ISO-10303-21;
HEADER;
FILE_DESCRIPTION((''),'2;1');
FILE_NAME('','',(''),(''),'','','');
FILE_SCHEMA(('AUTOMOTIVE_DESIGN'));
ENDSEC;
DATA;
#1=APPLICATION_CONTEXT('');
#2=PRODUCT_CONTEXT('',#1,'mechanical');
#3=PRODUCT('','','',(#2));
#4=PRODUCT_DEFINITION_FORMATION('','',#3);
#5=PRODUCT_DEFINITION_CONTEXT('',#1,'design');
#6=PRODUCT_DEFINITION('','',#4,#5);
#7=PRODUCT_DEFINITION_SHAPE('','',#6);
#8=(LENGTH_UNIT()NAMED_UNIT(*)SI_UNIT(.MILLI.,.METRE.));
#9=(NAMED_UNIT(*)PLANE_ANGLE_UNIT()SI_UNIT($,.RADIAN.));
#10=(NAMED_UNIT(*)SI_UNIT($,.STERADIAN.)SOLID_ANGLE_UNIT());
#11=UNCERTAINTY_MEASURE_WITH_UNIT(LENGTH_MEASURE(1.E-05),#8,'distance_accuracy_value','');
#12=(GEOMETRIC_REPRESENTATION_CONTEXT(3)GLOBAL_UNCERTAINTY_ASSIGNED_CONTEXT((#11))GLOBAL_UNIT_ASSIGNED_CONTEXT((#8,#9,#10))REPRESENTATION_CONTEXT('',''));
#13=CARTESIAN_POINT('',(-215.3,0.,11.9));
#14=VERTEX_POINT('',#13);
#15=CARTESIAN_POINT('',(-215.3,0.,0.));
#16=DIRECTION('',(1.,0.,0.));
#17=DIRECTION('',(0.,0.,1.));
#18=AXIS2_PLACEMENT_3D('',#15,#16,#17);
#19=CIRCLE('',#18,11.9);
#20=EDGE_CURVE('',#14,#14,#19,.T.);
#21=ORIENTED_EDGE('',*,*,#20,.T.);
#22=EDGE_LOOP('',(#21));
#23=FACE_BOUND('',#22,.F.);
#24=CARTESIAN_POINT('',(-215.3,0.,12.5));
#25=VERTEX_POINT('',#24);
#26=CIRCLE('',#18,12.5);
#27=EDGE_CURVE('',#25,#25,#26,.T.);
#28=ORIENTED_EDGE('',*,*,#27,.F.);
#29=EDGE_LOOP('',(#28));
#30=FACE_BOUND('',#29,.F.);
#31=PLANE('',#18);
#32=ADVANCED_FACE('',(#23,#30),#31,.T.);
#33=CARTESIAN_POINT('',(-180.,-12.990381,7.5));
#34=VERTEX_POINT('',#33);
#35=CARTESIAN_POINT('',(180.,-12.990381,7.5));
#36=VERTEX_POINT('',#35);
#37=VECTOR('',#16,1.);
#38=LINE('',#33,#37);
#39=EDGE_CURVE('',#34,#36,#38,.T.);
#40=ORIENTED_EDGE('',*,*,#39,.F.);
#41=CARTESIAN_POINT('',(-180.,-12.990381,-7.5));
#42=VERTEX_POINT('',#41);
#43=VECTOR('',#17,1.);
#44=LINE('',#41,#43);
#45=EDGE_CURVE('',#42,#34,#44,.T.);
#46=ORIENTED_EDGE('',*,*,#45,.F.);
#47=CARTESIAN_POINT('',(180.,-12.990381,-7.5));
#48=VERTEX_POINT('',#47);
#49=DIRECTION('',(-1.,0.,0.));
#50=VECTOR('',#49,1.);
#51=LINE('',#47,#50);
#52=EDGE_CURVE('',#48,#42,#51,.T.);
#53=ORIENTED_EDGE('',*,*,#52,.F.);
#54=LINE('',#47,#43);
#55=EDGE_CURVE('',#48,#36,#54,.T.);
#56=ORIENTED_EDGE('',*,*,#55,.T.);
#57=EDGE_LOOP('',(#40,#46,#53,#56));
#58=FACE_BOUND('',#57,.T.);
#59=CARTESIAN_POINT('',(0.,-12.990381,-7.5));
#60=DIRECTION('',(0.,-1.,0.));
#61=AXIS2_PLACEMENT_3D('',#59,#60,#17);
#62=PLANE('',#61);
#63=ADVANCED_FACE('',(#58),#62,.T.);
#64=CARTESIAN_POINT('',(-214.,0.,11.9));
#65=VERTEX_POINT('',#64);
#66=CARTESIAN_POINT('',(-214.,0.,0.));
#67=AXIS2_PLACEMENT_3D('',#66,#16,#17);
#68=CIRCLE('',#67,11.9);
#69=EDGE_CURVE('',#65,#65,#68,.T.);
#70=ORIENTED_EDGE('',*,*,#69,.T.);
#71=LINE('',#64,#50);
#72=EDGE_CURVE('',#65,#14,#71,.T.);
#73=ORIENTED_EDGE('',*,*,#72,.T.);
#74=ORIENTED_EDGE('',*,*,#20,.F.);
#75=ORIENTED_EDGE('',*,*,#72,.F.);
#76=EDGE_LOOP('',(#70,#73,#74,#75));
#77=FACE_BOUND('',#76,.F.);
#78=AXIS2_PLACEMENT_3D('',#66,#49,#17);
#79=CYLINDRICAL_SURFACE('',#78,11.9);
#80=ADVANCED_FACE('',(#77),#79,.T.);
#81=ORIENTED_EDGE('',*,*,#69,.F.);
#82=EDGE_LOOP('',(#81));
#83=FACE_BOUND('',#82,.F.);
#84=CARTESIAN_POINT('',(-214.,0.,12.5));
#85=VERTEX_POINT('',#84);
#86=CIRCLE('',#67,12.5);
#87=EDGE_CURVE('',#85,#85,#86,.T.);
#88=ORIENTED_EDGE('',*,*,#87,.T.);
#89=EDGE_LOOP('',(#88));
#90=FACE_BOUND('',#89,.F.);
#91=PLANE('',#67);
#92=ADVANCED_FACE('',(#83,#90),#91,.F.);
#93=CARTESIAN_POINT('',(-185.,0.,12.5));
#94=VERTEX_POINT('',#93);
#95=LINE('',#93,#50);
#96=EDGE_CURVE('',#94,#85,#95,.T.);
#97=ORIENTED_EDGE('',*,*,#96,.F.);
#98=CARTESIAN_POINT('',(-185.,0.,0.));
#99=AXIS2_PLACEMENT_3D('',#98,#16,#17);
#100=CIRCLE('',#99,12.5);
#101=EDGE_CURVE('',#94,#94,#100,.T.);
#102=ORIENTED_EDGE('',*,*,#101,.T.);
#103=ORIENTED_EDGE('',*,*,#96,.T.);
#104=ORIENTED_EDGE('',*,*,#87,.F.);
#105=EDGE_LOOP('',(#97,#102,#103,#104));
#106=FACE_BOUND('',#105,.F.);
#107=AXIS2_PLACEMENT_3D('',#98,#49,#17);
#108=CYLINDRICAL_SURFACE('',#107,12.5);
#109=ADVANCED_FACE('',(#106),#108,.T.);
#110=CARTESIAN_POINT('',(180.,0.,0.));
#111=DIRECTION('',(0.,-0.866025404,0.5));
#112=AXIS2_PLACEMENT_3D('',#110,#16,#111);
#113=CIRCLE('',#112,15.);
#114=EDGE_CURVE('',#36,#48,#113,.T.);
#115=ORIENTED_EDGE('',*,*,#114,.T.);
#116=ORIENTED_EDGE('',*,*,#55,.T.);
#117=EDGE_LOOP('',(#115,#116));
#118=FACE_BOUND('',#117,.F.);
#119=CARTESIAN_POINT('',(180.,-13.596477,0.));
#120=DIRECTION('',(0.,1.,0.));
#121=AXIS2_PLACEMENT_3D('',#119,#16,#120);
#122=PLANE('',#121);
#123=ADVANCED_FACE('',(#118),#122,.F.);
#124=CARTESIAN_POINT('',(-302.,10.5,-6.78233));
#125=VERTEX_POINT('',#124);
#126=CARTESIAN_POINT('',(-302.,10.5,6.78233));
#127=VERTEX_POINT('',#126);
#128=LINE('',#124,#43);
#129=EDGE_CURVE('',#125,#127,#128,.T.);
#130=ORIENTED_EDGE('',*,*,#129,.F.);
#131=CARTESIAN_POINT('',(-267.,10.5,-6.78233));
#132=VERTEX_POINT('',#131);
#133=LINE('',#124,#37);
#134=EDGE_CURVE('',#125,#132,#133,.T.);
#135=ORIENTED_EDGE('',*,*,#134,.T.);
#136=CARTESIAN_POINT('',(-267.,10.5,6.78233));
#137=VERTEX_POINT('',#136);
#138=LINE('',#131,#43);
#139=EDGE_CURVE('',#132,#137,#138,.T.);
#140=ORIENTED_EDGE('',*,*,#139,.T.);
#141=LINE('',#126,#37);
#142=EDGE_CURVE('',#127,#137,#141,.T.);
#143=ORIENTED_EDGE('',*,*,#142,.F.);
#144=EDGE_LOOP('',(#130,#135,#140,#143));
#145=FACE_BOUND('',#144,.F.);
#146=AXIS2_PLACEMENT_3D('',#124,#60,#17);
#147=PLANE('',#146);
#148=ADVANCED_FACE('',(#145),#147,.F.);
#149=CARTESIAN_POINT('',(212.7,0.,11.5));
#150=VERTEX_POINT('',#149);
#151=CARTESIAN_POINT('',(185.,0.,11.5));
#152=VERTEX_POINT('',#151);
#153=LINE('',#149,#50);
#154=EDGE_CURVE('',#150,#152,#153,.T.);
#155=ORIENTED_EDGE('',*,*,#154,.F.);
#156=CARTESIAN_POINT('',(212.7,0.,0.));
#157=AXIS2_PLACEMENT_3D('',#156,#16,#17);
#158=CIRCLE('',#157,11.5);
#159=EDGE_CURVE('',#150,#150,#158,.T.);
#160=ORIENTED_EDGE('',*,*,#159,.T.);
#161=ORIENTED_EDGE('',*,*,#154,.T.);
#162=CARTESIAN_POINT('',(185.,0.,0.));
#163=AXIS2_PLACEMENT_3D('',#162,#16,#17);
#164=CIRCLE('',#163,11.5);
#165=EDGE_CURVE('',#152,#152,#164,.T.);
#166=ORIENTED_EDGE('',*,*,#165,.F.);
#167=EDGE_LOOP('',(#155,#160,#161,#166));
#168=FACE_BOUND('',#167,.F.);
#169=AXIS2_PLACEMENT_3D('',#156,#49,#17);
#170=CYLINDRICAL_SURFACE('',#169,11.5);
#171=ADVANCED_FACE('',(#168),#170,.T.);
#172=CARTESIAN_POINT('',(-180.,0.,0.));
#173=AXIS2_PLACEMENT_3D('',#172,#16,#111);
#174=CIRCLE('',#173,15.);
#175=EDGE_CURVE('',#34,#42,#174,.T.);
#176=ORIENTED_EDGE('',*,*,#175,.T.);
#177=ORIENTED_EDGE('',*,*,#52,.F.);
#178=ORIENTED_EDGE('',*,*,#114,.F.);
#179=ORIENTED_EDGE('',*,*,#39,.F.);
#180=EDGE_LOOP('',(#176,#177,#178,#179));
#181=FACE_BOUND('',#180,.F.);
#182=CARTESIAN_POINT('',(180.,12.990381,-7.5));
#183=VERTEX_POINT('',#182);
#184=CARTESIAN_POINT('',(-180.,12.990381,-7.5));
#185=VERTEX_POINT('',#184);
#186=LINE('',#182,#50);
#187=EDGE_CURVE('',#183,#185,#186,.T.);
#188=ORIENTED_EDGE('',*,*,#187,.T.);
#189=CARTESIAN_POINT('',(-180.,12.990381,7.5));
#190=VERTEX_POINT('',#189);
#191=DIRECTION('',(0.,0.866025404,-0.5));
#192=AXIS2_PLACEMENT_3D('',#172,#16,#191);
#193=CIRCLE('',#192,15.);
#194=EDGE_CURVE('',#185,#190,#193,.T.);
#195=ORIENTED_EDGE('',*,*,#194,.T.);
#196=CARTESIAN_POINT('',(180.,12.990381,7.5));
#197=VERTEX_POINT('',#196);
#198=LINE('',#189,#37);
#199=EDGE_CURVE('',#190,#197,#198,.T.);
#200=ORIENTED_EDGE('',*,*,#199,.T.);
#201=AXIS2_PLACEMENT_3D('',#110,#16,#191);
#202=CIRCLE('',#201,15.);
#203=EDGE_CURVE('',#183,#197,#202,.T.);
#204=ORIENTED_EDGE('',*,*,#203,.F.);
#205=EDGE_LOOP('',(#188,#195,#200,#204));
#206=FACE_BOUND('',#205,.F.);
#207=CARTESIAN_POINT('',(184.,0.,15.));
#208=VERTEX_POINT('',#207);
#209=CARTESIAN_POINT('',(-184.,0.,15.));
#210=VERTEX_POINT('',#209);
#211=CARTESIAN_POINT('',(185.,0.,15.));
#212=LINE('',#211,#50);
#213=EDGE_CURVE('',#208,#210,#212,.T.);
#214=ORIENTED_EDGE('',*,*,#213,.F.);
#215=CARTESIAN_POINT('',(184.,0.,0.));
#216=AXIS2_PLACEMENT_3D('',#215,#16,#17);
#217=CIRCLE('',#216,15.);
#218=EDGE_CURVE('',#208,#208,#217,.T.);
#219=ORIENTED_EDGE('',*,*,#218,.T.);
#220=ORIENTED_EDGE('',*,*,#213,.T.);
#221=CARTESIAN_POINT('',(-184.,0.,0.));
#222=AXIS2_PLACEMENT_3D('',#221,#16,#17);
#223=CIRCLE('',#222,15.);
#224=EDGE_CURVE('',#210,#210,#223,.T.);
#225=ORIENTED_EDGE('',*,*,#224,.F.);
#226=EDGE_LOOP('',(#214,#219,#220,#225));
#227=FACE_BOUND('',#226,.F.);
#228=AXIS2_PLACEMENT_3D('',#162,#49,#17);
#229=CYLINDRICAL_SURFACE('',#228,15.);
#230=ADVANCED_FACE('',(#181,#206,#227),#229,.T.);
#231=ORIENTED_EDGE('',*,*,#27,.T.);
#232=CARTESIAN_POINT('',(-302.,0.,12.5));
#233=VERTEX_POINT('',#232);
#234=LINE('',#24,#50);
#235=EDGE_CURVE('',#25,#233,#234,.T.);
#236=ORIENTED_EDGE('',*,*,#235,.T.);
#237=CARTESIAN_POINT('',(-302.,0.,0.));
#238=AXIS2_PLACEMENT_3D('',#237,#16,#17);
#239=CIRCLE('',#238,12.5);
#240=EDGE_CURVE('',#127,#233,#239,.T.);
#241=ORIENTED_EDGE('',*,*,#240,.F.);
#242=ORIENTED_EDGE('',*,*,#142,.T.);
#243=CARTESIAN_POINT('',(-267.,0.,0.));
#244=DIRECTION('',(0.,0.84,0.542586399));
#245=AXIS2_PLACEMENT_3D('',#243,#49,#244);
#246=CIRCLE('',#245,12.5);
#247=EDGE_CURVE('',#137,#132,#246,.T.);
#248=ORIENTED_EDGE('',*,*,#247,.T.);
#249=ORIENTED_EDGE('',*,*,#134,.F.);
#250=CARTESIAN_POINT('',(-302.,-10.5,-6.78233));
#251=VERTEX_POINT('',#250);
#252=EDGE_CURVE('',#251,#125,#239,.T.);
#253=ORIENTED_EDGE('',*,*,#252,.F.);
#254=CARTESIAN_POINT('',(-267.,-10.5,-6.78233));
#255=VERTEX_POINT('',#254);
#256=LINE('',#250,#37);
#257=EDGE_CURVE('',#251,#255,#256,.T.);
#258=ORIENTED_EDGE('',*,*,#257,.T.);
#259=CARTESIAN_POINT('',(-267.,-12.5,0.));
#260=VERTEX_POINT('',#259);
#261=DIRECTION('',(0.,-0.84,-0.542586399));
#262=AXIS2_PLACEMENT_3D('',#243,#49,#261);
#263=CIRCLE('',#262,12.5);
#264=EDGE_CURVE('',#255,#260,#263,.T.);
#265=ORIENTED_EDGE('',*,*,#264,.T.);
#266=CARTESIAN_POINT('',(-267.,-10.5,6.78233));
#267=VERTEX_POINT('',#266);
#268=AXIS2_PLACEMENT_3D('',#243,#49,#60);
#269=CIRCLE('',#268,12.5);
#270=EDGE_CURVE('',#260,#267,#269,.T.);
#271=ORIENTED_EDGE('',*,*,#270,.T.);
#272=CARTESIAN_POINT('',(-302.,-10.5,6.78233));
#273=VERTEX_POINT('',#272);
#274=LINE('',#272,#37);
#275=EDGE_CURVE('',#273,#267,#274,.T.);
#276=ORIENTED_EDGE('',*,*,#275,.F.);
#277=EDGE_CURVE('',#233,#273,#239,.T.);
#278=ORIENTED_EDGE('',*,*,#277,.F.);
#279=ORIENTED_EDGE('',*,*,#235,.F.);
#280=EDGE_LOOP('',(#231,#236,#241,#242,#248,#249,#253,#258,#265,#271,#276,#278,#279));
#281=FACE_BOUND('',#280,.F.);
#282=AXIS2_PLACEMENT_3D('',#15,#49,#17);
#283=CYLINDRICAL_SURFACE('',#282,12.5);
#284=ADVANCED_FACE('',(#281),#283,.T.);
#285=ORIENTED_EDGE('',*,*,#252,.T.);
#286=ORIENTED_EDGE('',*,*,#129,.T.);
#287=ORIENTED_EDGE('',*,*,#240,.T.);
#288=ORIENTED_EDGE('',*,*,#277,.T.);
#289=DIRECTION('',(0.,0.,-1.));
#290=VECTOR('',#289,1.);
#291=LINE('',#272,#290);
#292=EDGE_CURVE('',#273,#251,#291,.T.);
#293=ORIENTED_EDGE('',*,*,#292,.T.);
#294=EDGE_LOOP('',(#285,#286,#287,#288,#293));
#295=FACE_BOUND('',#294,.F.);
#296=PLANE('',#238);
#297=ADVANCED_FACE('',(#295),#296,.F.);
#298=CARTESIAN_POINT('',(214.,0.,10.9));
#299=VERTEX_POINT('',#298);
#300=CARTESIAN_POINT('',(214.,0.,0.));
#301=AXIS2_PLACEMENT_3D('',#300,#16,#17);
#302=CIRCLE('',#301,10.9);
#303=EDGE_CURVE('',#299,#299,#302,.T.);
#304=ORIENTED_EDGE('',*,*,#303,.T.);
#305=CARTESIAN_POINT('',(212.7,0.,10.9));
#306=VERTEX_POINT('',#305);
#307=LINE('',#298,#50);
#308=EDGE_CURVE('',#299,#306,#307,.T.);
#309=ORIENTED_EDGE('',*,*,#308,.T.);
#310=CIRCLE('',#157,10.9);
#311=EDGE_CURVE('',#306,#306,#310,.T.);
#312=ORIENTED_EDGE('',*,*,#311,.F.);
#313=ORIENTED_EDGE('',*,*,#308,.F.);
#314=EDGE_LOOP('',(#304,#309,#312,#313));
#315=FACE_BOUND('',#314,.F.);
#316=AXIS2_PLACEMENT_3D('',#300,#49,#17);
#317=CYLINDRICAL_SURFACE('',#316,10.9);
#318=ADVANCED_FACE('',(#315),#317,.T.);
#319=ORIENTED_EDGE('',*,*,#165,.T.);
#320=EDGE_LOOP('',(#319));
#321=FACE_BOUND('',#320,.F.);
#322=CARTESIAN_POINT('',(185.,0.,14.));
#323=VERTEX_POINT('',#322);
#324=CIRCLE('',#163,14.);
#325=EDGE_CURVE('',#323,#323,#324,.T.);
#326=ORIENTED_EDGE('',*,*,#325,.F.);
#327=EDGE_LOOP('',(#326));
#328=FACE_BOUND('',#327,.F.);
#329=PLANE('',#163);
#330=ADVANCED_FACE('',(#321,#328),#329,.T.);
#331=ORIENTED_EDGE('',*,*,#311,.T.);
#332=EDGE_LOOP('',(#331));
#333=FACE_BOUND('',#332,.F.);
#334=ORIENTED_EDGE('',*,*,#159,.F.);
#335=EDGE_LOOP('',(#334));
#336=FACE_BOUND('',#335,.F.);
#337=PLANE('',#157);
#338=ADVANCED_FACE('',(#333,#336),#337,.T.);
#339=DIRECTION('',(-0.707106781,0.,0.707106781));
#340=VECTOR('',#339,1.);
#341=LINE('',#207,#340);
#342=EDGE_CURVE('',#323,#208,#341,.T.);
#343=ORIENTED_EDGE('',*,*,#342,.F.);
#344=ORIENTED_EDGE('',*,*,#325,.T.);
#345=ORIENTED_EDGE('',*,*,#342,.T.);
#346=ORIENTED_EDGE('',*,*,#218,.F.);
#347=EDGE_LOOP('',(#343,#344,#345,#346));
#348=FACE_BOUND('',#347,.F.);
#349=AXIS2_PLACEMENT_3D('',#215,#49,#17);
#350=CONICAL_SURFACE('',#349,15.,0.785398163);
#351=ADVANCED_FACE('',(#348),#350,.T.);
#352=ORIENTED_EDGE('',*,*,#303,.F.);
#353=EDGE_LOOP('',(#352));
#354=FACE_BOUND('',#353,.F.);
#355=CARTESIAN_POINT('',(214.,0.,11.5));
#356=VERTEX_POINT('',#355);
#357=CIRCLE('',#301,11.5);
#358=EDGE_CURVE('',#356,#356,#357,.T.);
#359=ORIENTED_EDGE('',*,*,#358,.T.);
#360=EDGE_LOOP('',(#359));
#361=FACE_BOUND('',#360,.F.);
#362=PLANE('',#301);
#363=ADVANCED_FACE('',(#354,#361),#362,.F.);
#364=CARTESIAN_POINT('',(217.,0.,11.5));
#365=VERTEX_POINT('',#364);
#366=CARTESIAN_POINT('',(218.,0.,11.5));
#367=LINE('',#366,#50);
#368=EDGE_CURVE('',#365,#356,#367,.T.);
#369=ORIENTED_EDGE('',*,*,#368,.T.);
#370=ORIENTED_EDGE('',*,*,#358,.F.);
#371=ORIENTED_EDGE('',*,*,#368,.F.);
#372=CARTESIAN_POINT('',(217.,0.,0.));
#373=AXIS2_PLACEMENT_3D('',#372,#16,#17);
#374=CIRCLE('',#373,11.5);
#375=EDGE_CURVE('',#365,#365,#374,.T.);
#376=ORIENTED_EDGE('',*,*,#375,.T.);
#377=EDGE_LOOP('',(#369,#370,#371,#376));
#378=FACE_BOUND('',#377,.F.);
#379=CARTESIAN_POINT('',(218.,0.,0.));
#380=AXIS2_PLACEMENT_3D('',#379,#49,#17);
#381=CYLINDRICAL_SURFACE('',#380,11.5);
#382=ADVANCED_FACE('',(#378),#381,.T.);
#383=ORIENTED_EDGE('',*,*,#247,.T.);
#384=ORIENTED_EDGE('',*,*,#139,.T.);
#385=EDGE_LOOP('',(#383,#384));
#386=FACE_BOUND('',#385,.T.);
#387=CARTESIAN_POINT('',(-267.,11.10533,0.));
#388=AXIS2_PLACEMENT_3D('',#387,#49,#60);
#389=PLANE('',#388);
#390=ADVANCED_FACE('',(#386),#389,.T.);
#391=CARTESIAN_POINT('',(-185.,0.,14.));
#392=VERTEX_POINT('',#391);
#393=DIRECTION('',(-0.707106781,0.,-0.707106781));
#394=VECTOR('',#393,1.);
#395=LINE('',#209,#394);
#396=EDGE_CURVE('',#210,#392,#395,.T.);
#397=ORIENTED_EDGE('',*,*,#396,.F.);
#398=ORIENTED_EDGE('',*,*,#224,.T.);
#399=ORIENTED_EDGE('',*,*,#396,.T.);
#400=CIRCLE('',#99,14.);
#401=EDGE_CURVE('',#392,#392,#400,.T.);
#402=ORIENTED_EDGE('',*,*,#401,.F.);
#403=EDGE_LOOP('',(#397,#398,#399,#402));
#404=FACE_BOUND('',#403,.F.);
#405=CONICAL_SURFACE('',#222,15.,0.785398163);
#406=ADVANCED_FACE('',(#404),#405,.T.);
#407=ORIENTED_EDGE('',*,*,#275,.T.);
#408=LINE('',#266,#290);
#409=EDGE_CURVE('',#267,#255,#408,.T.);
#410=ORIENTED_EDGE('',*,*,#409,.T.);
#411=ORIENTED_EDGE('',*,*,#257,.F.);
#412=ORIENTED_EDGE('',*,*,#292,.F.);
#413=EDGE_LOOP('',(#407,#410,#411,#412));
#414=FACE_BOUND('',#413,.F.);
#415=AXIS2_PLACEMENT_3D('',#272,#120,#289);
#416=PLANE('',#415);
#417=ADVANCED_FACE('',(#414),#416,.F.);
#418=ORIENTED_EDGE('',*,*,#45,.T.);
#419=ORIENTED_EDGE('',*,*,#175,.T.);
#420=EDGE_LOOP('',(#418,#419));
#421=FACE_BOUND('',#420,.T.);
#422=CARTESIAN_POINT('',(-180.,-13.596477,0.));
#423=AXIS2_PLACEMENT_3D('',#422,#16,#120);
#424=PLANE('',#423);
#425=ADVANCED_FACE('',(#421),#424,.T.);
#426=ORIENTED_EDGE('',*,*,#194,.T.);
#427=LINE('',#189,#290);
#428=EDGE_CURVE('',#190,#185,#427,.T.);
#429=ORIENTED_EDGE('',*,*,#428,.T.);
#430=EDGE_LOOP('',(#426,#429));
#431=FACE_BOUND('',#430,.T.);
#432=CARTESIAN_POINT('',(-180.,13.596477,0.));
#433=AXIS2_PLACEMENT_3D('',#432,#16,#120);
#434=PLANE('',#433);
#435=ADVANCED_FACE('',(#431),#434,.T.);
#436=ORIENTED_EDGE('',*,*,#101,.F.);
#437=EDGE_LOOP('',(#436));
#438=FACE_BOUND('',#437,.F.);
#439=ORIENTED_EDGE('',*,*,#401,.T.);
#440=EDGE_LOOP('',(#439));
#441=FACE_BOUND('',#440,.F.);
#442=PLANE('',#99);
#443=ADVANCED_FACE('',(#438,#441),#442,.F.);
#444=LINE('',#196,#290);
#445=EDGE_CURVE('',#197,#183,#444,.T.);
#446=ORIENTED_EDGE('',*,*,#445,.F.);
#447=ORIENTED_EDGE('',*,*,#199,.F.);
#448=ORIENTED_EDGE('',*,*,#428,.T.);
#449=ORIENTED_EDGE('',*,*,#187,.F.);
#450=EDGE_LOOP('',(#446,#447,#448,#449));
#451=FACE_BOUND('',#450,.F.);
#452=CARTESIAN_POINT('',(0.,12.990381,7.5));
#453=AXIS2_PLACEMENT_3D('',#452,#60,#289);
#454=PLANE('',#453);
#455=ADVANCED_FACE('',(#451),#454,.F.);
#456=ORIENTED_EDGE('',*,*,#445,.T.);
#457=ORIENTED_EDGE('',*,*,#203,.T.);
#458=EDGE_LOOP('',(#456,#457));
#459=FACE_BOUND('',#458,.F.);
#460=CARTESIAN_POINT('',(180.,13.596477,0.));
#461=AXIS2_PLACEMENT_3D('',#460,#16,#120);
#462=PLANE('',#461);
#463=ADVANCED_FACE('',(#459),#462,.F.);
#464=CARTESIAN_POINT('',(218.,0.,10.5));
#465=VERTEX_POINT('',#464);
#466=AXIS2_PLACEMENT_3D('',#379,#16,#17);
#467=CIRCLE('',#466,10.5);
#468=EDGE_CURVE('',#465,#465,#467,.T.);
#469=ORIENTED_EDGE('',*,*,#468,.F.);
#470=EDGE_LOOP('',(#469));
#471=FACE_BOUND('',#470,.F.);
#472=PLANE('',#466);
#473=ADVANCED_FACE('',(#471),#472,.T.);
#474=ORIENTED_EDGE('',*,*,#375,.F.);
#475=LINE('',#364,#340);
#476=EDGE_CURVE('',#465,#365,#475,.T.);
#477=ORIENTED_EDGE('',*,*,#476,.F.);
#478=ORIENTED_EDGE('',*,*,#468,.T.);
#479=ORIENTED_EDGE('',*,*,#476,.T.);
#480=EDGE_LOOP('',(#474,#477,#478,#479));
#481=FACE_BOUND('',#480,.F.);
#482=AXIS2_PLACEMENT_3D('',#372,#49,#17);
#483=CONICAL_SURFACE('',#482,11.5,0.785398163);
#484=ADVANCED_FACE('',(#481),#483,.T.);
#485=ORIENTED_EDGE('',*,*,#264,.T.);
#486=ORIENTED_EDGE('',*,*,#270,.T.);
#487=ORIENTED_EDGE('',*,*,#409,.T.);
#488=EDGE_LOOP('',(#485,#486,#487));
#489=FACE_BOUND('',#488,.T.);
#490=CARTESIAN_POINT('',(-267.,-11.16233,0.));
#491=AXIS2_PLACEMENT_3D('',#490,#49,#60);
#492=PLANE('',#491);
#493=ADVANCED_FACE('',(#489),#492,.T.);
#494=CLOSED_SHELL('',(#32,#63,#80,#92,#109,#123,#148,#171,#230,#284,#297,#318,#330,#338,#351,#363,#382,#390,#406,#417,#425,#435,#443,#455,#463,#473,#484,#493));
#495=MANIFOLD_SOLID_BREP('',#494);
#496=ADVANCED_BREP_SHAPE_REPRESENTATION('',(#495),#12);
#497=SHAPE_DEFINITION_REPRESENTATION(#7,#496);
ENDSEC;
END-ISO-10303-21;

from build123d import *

# Parameters (mm, degrees)
F3_DEPTH = 180
F5_DEPTH = 35
F6_SIZE  = 1


with BuildPart() as f1:
    # F0 (on Front) → F1 (revolve)
    with BuildSketch(Plane.XZ):
        Polygon((-302, 6.5), (-302, 0), (-185, 0), (175, 0), (218, 0), (218, 11.5), (214, 11.5), (214, 10.9), (212.7, 10.9), (212.7, 11.5), (185, 11.5), (185, 15), (-185, 15), (-185, 12.5), (-214, 12.5), (-214, 11.9), (-215.3, 11.9), (-215.3, 12.5), (-302, 12.5), align=None)
    revolve(axis=Axis((-5, 0, 0), (1, 0, 0)))

    # F2 (on Right) → F3 (cut, symmetric)
    with BuildSketch(Plane.YZ):
        with BuildLine():
            Line((-12.9903810568, -7.5), (-12.9903810568, 7.5))
            ThreePointArc((-12.9903810568, 7.5), (-15, 0), (-12.9903810568, -7.5))
        make_face()
        with BuildLine():
            ThreePointArc((12.9903810568, -7.5), (15, 0), (12.9903810568, 7.5))
            Line((12.9903810568, 7.5), (12.9903810568, -7.5))
        make_face()
    extrude(amount=F3_DEPTH, both=True, mode=Mode.SUBTRACT)

    # F4 (on face) → F5 (cut)
    with BuildSketch(Plane(origin=(-302, 0, 0), x_dir=(0, -1, 0), z_dir=(-1, 0, 0))):
        with BuildLine():
            Line((-10.5, -6.7823299831), (-10.5, 6.7823299831))
            ThreePointArc((-10.5, 6.7823299831), (-12.5, 0), (-10.5, -6.7823299831))
        make_face()
        with BuildLine():
            ThreePointArc((12.5, 0), (11.9895788083, 3.5355339059), (10.5, 6.7823299831))
            Line((10.5, 6.7823299831), (10.5, -6.7823299831))
            ThreePointArc((10.5, -6.7823299831), (11.9895788083, -3.5355339059), (12.5, 0))
        make_face()
    extrude(amount=-F5_DEPTH, mode=Mode.SUBTRACT)

    # F6
    f6_edges = [f1.edges().sort_by_distance(p)[0] for p in [
        (-185, 0, -15),
        (185, 0, -15),
        (218, 0, -11.5),
    ]]
    chamfer(f6_edges, length=F6_SIZE)


solid = f1.part
